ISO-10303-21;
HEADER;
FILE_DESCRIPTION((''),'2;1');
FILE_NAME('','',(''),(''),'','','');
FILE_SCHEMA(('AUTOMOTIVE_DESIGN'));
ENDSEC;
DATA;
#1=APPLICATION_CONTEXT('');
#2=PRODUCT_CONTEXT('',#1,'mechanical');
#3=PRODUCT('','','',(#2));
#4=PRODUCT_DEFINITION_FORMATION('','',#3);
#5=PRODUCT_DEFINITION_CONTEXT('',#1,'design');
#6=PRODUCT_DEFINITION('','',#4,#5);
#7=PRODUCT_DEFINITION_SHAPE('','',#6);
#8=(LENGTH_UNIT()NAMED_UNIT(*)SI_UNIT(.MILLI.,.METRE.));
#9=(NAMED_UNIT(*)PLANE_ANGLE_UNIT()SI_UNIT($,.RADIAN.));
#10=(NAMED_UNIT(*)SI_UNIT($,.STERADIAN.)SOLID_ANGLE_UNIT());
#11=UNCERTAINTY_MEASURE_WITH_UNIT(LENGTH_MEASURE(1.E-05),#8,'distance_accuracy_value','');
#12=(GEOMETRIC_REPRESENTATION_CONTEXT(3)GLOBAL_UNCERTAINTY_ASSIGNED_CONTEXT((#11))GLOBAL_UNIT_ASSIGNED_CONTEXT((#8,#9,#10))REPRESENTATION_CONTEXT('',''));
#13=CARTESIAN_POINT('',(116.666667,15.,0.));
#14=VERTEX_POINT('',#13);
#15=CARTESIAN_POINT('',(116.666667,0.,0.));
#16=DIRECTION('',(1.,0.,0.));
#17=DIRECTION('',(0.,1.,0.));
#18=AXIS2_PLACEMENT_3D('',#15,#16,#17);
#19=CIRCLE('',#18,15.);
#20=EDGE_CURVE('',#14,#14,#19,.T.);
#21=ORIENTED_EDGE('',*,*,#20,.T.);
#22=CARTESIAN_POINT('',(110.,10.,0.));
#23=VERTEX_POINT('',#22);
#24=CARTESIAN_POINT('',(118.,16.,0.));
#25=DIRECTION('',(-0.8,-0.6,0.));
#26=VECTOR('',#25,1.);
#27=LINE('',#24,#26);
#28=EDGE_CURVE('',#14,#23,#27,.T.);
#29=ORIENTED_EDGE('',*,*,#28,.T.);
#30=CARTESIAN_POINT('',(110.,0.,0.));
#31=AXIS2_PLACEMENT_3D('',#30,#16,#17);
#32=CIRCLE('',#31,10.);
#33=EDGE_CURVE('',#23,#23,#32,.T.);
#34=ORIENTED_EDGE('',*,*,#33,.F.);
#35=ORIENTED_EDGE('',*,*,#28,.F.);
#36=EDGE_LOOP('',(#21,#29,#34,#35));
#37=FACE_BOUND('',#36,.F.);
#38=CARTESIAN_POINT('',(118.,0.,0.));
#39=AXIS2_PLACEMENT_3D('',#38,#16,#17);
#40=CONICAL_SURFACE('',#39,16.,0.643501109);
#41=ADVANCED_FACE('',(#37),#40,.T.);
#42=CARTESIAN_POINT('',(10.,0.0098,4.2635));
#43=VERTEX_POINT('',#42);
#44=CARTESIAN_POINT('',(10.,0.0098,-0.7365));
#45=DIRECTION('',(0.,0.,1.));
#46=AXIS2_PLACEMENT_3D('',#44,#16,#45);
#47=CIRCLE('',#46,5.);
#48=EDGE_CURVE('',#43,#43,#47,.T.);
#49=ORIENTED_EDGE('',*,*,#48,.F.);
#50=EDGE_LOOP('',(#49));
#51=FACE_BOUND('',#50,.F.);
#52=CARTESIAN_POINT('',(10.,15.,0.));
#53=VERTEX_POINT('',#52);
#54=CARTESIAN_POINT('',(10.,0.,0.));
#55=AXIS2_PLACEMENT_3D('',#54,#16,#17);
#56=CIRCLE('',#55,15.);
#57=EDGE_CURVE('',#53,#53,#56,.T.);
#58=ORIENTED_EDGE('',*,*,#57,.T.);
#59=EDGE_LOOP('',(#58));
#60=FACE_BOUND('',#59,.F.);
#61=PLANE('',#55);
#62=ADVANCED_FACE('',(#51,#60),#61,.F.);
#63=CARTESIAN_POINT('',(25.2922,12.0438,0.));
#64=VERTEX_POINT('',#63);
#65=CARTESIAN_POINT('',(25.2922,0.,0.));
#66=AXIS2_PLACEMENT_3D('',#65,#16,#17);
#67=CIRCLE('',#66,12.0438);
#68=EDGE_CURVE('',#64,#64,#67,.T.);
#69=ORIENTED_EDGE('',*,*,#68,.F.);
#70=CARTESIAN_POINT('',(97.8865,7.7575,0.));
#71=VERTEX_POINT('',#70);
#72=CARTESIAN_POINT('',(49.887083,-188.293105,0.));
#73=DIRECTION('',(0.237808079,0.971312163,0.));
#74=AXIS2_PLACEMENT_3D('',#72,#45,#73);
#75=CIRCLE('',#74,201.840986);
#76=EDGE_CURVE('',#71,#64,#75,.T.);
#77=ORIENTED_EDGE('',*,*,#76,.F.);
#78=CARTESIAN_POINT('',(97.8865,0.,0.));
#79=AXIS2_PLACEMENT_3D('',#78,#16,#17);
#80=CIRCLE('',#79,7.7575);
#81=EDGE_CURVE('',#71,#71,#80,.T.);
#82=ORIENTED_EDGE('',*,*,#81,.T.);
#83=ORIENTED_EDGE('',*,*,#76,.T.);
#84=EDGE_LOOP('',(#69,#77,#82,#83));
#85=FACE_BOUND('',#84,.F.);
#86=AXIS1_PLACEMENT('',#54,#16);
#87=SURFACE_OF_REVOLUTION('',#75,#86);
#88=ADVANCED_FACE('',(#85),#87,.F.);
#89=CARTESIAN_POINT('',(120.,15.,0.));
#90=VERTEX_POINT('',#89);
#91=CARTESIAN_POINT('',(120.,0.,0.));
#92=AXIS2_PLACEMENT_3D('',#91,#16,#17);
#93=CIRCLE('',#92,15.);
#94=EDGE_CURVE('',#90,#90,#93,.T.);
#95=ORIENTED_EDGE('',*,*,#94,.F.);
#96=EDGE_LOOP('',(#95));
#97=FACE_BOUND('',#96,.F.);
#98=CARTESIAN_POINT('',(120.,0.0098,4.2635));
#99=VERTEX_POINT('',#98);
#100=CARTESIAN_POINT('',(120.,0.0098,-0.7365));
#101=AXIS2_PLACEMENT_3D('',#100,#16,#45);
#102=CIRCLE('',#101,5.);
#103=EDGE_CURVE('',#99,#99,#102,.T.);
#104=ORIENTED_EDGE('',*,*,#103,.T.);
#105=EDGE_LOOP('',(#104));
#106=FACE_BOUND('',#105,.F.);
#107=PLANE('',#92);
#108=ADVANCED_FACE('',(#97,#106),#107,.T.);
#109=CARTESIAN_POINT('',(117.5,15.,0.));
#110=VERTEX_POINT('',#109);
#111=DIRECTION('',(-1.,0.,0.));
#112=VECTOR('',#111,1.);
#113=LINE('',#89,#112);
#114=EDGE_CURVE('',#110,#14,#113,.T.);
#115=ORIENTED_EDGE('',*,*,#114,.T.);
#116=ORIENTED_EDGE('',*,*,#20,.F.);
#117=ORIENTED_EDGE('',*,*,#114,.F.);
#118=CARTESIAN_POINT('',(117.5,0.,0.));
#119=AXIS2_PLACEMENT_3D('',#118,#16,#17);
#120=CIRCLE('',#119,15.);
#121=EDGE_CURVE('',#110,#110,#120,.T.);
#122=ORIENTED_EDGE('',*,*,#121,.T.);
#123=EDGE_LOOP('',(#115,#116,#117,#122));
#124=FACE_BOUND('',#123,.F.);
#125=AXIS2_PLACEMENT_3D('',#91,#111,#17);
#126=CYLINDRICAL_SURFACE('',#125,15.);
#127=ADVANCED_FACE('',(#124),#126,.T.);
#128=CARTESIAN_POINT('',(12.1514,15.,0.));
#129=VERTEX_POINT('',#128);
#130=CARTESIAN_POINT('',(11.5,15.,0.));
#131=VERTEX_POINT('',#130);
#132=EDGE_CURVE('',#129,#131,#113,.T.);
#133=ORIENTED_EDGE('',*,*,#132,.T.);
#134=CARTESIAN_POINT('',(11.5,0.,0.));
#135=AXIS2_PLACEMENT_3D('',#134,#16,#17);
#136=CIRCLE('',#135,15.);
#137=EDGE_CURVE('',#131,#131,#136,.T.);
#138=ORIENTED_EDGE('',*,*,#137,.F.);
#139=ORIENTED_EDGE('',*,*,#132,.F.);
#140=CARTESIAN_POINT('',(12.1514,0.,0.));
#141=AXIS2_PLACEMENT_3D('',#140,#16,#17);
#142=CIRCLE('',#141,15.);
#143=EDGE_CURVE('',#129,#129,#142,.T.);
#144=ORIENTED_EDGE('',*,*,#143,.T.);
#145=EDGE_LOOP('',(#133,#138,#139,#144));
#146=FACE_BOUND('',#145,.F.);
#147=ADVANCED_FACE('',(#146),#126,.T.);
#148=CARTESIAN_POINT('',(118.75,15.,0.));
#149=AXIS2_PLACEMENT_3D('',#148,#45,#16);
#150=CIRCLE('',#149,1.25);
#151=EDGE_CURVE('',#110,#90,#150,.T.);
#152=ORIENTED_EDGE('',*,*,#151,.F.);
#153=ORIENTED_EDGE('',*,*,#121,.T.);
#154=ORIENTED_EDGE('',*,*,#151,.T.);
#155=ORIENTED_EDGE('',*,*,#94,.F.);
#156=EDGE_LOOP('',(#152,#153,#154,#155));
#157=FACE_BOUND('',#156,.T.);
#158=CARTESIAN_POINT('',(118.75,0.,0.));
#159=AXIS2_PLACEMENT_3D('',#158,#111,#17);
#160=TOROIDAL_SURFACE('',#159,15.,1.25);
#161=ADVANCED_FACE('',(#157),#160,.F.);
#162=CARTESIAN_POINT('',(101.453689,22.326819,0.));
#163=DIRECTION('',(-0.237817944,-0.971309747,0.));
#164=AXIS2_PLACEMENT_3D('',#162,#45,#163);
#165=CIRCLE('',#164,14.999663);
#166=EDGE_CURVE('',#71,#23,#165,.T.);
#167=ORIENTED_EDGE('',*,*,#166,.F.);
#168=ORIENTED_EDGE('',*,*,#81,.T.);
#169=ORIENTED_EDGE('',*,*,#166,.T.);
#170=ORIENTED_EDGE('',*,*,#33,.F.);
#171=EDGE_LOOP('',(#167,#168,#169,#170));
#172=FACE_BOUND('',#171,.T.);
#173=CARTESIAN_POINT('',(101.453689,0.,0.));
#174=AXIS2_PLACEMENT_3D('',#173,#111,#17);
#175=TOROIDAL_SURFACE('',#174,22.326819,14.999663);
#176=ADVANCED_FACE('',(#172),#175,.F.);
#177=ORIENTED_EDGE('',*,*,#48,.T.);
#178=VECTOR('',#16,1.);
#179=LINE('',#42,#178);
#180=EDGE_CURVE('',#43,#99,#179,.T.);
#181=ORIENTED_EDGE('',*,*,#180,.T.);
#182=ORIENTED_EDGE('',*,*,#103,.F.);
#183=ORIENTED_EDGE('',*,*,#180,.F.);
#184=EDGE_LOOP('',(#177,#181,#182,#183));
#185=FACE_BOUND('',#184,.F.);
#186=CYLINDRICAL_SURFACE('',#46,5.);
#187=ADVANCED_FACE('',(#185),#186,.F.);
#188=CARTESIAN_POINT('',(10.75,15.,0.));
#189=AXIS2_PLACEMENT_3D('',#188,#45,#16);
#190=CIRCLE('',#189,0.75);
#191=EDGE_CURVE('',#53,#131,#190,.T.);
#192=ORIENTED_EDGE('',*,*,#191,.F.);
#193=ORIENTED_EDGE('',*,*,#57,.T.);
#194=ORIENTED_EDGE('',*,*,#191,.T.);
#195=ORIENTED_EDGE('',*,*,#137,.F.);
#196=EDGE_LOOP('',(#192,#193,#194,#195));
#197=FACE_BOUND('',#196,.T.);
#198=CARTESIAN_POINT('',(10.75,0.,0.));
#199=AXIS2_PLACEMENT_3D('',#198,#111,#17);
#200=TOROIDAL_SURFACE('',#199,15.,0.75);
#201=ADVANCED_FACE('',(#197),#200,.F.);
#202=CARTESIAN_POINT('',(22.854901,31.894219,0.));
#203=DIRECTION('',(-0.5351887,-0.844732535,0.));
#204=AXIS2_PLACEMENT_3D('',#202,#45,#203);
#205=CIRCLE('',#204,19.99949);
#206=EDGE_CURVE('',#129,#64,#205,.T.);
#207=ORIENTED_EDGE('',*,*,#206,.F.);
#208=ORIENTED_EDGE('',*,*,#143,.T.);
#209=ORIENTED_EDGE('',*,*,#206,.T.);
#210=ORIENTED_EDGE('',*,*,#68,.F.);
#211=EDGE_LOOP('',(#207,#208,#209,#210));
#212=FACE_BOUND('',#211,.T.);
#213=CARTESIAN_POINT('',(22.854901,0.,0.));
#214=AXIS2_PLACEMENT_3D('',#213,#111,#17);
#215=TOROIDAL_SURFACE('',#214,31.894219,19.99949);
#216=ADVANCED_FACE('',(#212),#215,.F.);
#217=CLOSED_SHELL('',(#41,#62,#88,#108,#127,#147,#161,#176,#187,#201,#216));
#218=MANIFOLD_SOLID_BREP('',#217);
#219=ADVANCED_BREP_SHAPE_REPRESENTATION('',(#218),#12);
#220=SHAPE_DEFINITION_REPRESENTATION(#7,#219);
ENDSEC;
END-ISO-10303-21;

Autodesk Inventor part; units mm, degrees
ref_plane "YZ Plane" through (0, 0, 0) normal (1, 0, 0) x (0, 1, 0)
ref_plane "XZ Plane" through (0, 0, 0) normal (0, 1, 0) x (-1, 0, 0)
ref_plane "XY Plane" through (0, 0, 0) normal (0, 0, 1) x (1, 0, 0)
sketch "Esquisse1" plane through (0, 0, 0) normal (0, 0, 1) x (1, 0, 0)
  line L0 (0, 0) -> (110, 0)
  line L1 (110, 0) -> (110, 15)
  line L2 (110, 15) -> (0, 15)
  line L3 (0, 15) -> (0, 0)
  circle A0 centre (0.75, 15) radius 0.75
  circle A1 centre (108.75, 15) radius 1.25
  line L4 (108, 16) -> (100, 10)
  line L5 (1.1514, 15.6336) -> (2.1514, 15)
  arc A2 (2.1514, 15) -> (15.2922, 12.0438) centre (12.8551, 31.8947) ccw
  arc A3 (87.8865, 7.7575) -> (100, 10) centre (91.4537, 22.3272) ccw
  arc A4 (87.8865, 7.7575) -> (15.2922, 12.0438) centre (39.8874, -188.291) ccw
  point P0 (107.5, 15)
  point P1 (106.6667, 15)
  point P2 (1.5, 15)
  point P3 (0, 15)
  dimension "d2" = 1.5
  dimension "d3" = 2.5
  dimension "d0" = 110
  dimension "d1" = 15
  dimension "d4" = 10
  dimension "d5" = 8
  dimension "d6" = 1
  dimension "d7" = 20
  dimension "d8" = 15
revolve "Révolution1" add sketch "Esquisse1" angle 360 about axis through (0, 0, 0) along (1, 0, 0) contours L3 A0 L2 A2 A4 A3 L4 A1 L1 L0
sketch "Esquisse2" plane through (0, 0, 0) normal (-1, 0, 0) x (0, 0, 1)
  point P0 (0, 0)
  point P1 (-0.7365, 0.0098)
hole "Perçage1" at (0, 0.0098, -0.7365) direction (1, 0, 0) diameter 10 end through all
move or copy body "Déplacer des corps2" bodies to move or copy 1 copy no translate (10, 0, 0)
properties part number "BasicHandle"
